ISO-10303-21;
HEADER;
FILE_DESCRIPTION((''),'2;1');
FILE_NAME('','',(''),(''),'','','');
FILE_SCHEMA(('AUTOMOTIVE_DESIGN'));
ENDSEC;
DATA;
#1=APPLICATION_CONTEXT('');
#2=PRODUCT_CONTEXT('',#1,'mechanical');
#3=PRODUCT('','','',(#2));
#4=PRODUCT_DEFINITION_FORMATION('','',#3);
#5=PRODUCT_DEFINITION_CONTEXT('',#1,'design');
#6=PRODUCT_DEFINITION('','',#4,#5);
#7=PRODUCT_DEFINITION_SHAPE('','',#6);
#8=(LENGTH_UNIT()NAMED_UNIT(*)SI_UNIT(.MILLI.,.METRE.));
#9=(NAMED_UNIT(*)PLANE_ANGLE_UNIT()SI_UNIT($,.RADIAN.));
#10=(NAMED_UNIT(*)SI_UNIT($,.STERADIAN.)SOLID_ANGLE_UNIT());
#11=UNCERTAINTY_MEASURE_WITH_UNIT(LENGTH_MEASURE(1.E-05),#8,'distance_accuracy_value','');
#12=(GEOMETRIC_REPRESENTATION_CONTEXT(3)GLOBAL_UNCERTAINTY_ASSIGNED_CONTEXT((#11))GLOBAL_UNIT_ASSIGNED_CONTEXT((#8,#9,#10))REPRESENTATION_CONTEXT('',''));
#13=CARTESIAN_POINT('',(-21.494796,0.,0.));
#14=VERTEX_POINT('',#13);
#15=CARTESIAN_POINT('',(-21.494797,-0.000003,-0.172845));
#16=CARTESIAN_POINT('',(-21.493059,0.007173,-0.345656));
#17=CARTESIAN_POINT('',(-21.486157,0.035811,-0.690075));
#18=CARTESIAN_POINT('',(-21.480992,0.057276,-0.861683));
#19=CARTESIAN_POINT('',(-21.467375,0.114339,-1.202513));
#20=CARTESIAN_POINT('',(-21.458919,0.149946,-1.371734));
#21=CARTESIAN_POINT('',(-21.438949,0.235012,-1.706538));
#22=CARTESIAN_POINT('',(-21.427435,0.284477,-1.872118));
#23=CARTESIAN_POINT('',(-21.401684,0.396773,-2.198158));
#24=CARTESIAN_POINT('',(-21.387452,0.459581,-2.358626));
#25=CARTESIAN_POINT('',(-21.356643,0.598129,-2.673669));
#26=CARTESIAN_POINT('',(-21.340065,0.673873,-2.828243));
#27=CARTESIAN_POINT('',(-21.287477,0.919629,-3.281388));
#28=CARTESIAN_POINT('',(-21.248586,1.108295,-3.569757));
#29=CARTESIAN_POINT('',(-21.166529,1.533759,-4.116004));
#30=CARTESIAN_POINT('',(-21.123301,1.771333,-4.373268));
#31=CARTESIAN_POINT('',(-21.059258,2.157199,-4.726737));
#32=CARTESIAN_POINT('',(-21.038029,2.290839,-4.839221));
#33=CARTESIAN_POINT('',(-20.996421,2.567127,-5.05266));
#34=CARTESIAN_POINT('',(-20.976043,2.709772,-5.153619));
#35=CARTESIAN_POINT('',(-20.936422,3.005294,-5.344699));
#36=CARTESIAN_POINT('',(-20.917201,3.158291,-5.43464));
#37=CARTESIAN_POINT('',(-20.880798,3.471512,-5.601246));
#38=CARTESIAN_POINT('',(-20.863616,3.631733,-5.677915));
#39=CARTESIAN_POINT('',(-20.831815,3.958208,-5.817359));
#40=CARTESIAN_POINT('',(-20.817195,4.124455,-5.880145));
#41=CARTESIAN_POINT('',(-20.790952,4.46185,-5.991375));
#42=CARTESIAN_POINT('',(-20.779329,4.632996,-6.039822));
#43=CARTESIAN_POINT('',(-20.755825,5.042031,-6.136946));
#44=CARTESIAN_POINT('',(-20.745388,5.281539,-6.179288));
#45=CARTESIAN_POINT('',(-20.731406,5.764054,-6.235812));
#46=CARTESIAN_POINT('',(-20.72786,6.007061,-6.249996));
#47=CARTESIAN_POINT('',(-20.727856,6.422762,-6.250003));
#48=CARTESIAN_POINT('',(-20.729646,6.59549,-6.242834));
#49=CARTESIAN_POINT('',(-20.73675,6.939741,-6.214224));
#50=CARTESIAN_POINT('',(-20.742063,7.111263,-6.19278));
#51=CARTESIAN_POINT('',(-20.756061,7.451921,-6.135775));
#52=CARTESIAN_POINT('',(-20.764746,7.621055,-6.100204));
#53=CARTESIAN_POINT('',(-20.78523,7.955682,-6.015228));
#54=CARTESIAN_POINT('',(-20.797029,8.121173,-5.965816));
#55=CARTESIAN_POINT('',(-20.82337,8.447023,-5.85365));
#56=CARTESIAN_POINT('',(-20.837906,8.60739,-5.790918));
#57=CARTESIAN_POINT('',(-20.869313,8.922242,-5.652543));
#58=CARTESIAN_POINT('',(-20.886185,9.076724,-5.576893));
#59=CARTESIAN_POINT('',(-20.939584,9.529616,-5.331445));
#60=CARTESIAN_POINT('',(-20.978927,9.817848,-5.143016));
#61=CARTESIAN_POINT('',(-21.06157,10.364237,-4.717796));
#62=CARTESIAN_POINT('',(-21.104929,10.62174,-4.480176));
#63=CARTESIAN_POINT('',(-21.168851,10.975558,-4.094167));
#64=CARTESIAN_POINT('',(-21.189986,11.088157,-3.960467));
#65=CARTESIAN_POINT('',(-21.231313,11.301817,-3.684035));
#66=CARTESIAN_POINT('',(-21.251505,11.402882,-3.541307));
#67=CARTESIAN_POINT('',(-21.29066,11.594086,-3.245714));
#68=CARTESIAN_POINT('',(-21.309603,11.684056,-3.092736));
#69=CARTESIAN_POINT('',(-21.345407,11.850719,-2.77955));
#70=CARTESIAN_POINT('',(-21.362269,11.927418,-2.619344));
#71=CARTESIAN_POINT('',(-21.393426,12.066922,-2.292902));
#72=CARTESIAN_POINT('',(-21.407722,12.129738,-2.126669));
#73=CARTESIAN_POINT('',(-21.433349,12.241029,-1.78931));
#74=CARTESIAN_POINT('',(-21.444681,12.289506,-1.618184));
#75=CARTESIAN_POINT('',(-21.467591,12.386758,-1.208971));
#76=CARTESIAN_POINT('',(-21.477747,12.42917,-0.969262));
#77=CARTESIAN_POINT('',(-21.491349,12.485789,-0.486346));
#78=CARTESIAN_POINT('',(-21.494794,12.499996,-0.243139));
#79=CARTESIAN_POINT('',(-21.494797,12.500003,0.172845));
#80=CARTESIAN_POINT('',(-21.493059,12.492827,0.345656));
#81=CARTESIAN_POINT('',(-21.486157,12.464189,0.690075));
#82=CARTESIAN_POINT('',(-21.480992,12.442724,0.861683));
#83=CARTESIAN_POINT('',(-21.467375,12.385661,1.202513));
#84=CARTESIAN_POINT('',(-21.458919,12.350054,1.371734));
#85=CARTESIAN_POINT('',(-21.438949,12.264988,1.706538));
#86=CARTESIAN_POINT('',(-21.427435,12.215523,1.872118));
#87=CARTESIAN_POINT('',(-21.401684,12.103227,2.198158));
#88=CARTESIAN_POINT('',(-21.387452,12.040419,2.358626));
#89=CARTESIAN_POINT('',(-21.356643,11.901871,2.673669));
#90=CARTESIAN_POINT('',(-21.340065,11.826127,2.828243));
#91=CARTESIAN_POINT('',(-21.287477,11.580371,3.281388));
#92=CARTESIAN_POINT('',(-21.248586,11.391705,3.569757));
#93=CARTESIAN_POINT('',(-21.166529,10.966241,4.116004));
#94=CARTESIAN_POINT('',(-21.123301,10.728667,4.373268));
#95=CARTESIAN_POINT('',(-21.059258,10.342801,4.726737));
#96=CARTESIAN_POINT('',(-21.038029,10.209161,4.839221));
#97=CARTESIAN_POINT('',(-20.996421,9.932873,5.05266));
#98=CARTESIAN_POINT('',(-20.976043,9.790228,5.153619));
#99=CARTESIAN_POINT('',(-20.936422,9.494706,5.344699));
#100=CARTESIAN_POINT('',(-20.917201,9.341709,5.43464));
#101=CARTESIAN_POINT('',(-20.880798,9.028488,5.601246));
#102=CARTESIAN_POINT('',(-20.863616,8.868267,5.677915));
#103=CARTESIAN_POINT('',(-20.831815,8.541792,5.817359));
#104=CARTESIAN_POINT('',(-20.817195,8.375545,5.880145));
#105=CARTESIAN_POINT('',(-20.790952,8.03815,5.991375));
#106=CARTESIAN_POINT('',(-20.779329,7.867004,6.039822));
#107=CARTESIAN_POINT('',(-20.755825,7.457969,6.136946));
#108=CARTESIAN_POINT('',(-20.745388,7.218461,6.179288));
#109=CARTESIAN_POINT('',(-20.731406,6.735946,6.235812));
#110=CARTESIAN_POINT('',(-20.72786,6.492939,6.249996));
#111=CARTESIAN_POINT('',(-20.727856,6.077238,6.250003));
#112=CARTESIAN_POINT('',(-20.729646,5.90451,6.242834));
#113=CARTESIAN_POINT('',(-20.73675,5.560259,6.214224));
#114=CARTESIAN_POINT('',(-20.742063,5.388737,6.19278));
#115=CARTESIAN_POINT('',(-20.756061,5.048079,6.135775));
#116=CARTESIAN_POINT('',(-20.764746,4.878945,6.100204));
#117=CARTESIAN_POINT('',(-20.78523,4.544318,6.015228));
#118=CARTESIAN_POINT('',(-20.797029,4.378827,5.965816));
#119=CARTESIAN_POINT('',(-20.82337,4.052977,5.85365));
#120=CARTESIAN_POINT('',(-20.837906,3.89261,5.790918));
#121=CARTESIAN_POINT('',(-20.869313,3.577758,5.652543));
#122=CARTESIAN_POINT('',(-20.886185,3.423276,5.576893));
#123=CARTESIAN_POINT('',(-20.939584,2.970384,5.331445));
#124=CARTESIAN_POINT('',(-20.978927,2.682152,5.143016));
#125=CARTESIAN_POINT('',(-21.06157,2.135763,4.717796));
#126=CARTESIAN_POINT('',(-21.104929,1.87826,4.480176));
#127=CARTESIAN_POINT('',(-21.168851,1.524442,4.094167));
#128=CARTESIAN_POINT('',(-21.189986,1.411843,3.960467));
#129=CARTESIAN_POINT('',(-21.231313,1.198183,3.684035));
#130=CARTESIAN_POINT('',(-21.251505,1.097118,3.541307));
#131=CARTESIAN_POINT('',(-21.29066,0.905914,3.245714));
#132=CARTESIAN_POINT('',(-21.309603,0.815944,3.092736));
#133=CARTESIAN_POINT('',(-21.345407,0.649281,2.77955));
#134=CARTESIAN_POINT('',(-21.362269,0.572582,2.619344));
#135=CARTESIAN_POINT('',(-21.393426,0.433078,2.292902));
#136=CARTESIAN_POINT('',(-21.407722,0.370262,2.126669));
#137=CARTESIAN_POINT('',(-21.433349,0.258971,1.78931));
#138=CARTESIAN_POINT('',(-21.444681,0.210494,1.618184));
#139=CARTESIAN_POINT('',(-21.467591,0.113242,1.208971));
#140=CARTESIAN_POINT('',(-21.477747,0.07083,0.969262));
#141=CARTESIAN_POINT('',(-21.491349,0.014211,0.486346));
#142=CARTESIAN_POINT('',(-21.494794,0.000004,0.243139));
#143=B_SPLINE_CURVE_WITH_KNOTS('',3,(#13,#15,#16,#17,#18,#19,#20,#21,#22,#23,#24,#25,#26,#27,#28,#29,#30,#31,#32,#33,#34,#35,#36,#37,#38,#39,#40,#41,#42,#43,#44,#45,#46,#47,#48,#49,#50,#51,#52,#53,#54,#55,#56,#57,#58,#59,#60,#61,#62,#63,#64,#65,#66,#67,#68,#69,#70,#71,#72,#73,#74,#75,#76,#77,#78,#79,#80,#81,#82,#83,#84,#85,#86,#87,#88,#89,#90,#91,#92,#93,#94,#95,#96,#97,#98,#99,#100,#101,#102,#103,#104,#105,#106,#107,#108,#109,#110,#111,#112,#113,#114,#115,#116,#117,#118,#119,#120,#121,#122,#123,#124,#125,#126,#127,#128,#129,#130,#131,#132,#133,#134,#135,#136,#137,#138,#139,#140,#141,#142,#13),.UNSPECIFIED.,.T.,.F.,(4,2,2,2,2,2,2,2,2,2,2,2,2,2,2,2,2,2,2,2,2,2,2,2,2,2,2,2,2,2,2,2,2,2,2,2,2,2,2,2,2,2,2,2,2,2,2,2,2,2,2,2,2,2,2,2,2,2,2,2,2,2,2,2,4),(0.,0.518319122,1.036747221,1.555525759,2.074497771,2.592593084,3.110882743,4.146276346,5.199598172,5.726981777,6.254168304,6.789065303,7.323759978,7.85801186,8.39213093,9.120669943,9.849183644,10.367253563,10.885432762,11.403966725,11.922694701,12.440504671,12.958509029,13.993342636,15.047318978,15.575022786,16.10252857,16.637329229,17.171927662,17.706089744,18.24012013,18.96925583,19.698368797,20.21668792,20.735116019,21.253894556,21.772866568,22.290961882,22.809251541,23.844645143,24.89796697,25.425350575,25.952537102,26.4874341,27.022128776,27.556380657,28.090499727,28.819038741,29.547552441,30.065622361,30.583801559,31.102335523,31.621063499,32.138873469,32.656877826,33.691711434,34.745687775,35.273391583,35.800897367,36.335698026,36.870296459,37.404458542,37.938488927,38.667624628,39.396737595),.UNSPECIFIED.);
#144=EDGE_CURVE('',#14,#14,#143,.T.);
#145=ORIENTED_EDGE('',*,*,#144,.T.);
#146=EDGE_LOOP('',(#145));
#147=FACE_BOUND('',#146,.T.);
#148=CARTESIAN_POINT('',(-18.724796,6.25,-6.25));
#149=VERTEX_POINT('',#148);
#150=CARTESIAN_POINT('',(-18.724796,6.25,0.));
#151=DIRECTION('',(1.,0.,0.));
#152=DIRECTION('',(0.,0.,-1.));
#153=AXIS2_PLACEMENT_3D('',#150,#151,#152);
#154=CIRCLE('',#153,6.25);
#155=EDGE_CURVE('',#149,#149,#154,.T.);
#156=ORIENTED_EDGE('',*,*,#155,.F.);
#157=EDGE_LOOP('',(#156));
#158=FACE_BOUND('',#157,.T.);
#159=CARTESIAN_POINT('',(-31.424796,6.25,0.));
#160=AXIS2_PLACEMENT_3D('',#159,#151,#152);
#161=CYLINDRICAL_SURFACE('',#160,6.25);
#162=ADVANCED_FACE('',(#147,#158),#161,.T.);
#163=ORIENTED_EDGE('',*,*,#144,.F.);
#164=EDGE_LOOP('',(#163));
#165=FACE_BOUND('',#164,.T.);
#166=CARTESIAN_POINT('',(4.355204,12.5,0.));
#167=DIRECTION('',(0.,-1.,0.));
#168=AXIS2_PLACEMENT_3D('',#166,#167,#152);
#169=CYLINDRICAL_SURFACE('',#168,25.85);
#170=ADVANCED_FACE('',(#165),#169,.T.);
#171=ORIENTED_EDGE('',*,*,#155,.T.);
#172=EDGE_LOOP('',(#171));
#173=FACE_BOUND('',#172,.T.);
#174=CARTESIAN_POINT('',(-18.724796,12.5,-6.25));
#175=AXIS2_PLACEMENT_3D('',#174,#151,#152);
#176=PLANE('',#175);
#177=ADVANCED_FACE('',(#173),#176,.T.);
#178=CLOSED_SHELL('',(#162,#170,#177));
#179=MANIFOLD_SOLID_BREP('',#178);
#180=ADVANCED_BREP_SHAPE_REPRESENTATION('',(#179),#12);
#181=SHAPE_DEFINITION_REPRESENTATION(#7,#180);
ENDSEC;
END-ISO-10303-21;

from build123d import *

# Parameters (mm, degrees)
EXTRUDE_1_DEPTH     = 12.5
CUT_EXTRUDE_8_DEPTH = 12.7


with BuildPart() as part:
    # 草图1 → 凸台-拉伸1 (new body)
    with BuildSketch(Plane(origin=(0, 0, 0), x_dir=(1, 0, 0), z_dir=(0, 1, 0))):
        with BuildLine():
            Line((-20.727857679, 6.25), (-18.724795665, 6.25))
            Line((-18.724795665, 6.25), (-18.724795665, -6.25))
            Line((-18.724795665, -6.25), (-20.727857679, -6.25))
            ThreePointArc((-20.727857679, -6.25), (-21.494795665, 0), (-20.727857679, 6.25))
        make_face()
    extrude(amount=EXTRUDE_1_DEPTH)

    # 草图2 → 切除-拉伸8 (cut)
    with BuildSketch(Plane(origin=(-18.724795665, 0, 0), x_dir=(0, 0, -1), z_dir=(1, 0, 0))):
        with BuildLine():
            Line((-6.25, 12.5), (-6.25, 6.25))
            ThreePointArc((-6.25, 6.25), (-4.419417382, 10.669417382), (0, 12.5))
            Line((0, 12.5), (-6.25, 12.5))
        make_face()
        with BuildLine():
            ThreePointArc((0, 12.5), (4.419417382, 10.669417382), (6.25, 6.25))
            Line((6.25, 6.25), (6.25, 12.5))
            Line((6.25, 12.5), (0, 12.5))
        make_face()
        with BuildLine():
            ThreePointArc((6.25, 6.25), (4.419417382, 1.830582618), (0, 0))
            Line((0, 0), (6.25, 0))
            Line((6.25, 0), (6.25, 6.25))
        make_face()
        with BuildLine():
            Line((-6.25, 6.25), (-6.25, 0))
            Line((-6.25, 0), (0, 0))
            ThreePointArc((0, 0), (-4.419417382, 1.830582618), (-6.25, 6.25))
        make_face()
    extrude(amount=-CUT_EXTRUDE_8_DEPTH, mode=Mode.SUBTRACT)


solid = part.part
